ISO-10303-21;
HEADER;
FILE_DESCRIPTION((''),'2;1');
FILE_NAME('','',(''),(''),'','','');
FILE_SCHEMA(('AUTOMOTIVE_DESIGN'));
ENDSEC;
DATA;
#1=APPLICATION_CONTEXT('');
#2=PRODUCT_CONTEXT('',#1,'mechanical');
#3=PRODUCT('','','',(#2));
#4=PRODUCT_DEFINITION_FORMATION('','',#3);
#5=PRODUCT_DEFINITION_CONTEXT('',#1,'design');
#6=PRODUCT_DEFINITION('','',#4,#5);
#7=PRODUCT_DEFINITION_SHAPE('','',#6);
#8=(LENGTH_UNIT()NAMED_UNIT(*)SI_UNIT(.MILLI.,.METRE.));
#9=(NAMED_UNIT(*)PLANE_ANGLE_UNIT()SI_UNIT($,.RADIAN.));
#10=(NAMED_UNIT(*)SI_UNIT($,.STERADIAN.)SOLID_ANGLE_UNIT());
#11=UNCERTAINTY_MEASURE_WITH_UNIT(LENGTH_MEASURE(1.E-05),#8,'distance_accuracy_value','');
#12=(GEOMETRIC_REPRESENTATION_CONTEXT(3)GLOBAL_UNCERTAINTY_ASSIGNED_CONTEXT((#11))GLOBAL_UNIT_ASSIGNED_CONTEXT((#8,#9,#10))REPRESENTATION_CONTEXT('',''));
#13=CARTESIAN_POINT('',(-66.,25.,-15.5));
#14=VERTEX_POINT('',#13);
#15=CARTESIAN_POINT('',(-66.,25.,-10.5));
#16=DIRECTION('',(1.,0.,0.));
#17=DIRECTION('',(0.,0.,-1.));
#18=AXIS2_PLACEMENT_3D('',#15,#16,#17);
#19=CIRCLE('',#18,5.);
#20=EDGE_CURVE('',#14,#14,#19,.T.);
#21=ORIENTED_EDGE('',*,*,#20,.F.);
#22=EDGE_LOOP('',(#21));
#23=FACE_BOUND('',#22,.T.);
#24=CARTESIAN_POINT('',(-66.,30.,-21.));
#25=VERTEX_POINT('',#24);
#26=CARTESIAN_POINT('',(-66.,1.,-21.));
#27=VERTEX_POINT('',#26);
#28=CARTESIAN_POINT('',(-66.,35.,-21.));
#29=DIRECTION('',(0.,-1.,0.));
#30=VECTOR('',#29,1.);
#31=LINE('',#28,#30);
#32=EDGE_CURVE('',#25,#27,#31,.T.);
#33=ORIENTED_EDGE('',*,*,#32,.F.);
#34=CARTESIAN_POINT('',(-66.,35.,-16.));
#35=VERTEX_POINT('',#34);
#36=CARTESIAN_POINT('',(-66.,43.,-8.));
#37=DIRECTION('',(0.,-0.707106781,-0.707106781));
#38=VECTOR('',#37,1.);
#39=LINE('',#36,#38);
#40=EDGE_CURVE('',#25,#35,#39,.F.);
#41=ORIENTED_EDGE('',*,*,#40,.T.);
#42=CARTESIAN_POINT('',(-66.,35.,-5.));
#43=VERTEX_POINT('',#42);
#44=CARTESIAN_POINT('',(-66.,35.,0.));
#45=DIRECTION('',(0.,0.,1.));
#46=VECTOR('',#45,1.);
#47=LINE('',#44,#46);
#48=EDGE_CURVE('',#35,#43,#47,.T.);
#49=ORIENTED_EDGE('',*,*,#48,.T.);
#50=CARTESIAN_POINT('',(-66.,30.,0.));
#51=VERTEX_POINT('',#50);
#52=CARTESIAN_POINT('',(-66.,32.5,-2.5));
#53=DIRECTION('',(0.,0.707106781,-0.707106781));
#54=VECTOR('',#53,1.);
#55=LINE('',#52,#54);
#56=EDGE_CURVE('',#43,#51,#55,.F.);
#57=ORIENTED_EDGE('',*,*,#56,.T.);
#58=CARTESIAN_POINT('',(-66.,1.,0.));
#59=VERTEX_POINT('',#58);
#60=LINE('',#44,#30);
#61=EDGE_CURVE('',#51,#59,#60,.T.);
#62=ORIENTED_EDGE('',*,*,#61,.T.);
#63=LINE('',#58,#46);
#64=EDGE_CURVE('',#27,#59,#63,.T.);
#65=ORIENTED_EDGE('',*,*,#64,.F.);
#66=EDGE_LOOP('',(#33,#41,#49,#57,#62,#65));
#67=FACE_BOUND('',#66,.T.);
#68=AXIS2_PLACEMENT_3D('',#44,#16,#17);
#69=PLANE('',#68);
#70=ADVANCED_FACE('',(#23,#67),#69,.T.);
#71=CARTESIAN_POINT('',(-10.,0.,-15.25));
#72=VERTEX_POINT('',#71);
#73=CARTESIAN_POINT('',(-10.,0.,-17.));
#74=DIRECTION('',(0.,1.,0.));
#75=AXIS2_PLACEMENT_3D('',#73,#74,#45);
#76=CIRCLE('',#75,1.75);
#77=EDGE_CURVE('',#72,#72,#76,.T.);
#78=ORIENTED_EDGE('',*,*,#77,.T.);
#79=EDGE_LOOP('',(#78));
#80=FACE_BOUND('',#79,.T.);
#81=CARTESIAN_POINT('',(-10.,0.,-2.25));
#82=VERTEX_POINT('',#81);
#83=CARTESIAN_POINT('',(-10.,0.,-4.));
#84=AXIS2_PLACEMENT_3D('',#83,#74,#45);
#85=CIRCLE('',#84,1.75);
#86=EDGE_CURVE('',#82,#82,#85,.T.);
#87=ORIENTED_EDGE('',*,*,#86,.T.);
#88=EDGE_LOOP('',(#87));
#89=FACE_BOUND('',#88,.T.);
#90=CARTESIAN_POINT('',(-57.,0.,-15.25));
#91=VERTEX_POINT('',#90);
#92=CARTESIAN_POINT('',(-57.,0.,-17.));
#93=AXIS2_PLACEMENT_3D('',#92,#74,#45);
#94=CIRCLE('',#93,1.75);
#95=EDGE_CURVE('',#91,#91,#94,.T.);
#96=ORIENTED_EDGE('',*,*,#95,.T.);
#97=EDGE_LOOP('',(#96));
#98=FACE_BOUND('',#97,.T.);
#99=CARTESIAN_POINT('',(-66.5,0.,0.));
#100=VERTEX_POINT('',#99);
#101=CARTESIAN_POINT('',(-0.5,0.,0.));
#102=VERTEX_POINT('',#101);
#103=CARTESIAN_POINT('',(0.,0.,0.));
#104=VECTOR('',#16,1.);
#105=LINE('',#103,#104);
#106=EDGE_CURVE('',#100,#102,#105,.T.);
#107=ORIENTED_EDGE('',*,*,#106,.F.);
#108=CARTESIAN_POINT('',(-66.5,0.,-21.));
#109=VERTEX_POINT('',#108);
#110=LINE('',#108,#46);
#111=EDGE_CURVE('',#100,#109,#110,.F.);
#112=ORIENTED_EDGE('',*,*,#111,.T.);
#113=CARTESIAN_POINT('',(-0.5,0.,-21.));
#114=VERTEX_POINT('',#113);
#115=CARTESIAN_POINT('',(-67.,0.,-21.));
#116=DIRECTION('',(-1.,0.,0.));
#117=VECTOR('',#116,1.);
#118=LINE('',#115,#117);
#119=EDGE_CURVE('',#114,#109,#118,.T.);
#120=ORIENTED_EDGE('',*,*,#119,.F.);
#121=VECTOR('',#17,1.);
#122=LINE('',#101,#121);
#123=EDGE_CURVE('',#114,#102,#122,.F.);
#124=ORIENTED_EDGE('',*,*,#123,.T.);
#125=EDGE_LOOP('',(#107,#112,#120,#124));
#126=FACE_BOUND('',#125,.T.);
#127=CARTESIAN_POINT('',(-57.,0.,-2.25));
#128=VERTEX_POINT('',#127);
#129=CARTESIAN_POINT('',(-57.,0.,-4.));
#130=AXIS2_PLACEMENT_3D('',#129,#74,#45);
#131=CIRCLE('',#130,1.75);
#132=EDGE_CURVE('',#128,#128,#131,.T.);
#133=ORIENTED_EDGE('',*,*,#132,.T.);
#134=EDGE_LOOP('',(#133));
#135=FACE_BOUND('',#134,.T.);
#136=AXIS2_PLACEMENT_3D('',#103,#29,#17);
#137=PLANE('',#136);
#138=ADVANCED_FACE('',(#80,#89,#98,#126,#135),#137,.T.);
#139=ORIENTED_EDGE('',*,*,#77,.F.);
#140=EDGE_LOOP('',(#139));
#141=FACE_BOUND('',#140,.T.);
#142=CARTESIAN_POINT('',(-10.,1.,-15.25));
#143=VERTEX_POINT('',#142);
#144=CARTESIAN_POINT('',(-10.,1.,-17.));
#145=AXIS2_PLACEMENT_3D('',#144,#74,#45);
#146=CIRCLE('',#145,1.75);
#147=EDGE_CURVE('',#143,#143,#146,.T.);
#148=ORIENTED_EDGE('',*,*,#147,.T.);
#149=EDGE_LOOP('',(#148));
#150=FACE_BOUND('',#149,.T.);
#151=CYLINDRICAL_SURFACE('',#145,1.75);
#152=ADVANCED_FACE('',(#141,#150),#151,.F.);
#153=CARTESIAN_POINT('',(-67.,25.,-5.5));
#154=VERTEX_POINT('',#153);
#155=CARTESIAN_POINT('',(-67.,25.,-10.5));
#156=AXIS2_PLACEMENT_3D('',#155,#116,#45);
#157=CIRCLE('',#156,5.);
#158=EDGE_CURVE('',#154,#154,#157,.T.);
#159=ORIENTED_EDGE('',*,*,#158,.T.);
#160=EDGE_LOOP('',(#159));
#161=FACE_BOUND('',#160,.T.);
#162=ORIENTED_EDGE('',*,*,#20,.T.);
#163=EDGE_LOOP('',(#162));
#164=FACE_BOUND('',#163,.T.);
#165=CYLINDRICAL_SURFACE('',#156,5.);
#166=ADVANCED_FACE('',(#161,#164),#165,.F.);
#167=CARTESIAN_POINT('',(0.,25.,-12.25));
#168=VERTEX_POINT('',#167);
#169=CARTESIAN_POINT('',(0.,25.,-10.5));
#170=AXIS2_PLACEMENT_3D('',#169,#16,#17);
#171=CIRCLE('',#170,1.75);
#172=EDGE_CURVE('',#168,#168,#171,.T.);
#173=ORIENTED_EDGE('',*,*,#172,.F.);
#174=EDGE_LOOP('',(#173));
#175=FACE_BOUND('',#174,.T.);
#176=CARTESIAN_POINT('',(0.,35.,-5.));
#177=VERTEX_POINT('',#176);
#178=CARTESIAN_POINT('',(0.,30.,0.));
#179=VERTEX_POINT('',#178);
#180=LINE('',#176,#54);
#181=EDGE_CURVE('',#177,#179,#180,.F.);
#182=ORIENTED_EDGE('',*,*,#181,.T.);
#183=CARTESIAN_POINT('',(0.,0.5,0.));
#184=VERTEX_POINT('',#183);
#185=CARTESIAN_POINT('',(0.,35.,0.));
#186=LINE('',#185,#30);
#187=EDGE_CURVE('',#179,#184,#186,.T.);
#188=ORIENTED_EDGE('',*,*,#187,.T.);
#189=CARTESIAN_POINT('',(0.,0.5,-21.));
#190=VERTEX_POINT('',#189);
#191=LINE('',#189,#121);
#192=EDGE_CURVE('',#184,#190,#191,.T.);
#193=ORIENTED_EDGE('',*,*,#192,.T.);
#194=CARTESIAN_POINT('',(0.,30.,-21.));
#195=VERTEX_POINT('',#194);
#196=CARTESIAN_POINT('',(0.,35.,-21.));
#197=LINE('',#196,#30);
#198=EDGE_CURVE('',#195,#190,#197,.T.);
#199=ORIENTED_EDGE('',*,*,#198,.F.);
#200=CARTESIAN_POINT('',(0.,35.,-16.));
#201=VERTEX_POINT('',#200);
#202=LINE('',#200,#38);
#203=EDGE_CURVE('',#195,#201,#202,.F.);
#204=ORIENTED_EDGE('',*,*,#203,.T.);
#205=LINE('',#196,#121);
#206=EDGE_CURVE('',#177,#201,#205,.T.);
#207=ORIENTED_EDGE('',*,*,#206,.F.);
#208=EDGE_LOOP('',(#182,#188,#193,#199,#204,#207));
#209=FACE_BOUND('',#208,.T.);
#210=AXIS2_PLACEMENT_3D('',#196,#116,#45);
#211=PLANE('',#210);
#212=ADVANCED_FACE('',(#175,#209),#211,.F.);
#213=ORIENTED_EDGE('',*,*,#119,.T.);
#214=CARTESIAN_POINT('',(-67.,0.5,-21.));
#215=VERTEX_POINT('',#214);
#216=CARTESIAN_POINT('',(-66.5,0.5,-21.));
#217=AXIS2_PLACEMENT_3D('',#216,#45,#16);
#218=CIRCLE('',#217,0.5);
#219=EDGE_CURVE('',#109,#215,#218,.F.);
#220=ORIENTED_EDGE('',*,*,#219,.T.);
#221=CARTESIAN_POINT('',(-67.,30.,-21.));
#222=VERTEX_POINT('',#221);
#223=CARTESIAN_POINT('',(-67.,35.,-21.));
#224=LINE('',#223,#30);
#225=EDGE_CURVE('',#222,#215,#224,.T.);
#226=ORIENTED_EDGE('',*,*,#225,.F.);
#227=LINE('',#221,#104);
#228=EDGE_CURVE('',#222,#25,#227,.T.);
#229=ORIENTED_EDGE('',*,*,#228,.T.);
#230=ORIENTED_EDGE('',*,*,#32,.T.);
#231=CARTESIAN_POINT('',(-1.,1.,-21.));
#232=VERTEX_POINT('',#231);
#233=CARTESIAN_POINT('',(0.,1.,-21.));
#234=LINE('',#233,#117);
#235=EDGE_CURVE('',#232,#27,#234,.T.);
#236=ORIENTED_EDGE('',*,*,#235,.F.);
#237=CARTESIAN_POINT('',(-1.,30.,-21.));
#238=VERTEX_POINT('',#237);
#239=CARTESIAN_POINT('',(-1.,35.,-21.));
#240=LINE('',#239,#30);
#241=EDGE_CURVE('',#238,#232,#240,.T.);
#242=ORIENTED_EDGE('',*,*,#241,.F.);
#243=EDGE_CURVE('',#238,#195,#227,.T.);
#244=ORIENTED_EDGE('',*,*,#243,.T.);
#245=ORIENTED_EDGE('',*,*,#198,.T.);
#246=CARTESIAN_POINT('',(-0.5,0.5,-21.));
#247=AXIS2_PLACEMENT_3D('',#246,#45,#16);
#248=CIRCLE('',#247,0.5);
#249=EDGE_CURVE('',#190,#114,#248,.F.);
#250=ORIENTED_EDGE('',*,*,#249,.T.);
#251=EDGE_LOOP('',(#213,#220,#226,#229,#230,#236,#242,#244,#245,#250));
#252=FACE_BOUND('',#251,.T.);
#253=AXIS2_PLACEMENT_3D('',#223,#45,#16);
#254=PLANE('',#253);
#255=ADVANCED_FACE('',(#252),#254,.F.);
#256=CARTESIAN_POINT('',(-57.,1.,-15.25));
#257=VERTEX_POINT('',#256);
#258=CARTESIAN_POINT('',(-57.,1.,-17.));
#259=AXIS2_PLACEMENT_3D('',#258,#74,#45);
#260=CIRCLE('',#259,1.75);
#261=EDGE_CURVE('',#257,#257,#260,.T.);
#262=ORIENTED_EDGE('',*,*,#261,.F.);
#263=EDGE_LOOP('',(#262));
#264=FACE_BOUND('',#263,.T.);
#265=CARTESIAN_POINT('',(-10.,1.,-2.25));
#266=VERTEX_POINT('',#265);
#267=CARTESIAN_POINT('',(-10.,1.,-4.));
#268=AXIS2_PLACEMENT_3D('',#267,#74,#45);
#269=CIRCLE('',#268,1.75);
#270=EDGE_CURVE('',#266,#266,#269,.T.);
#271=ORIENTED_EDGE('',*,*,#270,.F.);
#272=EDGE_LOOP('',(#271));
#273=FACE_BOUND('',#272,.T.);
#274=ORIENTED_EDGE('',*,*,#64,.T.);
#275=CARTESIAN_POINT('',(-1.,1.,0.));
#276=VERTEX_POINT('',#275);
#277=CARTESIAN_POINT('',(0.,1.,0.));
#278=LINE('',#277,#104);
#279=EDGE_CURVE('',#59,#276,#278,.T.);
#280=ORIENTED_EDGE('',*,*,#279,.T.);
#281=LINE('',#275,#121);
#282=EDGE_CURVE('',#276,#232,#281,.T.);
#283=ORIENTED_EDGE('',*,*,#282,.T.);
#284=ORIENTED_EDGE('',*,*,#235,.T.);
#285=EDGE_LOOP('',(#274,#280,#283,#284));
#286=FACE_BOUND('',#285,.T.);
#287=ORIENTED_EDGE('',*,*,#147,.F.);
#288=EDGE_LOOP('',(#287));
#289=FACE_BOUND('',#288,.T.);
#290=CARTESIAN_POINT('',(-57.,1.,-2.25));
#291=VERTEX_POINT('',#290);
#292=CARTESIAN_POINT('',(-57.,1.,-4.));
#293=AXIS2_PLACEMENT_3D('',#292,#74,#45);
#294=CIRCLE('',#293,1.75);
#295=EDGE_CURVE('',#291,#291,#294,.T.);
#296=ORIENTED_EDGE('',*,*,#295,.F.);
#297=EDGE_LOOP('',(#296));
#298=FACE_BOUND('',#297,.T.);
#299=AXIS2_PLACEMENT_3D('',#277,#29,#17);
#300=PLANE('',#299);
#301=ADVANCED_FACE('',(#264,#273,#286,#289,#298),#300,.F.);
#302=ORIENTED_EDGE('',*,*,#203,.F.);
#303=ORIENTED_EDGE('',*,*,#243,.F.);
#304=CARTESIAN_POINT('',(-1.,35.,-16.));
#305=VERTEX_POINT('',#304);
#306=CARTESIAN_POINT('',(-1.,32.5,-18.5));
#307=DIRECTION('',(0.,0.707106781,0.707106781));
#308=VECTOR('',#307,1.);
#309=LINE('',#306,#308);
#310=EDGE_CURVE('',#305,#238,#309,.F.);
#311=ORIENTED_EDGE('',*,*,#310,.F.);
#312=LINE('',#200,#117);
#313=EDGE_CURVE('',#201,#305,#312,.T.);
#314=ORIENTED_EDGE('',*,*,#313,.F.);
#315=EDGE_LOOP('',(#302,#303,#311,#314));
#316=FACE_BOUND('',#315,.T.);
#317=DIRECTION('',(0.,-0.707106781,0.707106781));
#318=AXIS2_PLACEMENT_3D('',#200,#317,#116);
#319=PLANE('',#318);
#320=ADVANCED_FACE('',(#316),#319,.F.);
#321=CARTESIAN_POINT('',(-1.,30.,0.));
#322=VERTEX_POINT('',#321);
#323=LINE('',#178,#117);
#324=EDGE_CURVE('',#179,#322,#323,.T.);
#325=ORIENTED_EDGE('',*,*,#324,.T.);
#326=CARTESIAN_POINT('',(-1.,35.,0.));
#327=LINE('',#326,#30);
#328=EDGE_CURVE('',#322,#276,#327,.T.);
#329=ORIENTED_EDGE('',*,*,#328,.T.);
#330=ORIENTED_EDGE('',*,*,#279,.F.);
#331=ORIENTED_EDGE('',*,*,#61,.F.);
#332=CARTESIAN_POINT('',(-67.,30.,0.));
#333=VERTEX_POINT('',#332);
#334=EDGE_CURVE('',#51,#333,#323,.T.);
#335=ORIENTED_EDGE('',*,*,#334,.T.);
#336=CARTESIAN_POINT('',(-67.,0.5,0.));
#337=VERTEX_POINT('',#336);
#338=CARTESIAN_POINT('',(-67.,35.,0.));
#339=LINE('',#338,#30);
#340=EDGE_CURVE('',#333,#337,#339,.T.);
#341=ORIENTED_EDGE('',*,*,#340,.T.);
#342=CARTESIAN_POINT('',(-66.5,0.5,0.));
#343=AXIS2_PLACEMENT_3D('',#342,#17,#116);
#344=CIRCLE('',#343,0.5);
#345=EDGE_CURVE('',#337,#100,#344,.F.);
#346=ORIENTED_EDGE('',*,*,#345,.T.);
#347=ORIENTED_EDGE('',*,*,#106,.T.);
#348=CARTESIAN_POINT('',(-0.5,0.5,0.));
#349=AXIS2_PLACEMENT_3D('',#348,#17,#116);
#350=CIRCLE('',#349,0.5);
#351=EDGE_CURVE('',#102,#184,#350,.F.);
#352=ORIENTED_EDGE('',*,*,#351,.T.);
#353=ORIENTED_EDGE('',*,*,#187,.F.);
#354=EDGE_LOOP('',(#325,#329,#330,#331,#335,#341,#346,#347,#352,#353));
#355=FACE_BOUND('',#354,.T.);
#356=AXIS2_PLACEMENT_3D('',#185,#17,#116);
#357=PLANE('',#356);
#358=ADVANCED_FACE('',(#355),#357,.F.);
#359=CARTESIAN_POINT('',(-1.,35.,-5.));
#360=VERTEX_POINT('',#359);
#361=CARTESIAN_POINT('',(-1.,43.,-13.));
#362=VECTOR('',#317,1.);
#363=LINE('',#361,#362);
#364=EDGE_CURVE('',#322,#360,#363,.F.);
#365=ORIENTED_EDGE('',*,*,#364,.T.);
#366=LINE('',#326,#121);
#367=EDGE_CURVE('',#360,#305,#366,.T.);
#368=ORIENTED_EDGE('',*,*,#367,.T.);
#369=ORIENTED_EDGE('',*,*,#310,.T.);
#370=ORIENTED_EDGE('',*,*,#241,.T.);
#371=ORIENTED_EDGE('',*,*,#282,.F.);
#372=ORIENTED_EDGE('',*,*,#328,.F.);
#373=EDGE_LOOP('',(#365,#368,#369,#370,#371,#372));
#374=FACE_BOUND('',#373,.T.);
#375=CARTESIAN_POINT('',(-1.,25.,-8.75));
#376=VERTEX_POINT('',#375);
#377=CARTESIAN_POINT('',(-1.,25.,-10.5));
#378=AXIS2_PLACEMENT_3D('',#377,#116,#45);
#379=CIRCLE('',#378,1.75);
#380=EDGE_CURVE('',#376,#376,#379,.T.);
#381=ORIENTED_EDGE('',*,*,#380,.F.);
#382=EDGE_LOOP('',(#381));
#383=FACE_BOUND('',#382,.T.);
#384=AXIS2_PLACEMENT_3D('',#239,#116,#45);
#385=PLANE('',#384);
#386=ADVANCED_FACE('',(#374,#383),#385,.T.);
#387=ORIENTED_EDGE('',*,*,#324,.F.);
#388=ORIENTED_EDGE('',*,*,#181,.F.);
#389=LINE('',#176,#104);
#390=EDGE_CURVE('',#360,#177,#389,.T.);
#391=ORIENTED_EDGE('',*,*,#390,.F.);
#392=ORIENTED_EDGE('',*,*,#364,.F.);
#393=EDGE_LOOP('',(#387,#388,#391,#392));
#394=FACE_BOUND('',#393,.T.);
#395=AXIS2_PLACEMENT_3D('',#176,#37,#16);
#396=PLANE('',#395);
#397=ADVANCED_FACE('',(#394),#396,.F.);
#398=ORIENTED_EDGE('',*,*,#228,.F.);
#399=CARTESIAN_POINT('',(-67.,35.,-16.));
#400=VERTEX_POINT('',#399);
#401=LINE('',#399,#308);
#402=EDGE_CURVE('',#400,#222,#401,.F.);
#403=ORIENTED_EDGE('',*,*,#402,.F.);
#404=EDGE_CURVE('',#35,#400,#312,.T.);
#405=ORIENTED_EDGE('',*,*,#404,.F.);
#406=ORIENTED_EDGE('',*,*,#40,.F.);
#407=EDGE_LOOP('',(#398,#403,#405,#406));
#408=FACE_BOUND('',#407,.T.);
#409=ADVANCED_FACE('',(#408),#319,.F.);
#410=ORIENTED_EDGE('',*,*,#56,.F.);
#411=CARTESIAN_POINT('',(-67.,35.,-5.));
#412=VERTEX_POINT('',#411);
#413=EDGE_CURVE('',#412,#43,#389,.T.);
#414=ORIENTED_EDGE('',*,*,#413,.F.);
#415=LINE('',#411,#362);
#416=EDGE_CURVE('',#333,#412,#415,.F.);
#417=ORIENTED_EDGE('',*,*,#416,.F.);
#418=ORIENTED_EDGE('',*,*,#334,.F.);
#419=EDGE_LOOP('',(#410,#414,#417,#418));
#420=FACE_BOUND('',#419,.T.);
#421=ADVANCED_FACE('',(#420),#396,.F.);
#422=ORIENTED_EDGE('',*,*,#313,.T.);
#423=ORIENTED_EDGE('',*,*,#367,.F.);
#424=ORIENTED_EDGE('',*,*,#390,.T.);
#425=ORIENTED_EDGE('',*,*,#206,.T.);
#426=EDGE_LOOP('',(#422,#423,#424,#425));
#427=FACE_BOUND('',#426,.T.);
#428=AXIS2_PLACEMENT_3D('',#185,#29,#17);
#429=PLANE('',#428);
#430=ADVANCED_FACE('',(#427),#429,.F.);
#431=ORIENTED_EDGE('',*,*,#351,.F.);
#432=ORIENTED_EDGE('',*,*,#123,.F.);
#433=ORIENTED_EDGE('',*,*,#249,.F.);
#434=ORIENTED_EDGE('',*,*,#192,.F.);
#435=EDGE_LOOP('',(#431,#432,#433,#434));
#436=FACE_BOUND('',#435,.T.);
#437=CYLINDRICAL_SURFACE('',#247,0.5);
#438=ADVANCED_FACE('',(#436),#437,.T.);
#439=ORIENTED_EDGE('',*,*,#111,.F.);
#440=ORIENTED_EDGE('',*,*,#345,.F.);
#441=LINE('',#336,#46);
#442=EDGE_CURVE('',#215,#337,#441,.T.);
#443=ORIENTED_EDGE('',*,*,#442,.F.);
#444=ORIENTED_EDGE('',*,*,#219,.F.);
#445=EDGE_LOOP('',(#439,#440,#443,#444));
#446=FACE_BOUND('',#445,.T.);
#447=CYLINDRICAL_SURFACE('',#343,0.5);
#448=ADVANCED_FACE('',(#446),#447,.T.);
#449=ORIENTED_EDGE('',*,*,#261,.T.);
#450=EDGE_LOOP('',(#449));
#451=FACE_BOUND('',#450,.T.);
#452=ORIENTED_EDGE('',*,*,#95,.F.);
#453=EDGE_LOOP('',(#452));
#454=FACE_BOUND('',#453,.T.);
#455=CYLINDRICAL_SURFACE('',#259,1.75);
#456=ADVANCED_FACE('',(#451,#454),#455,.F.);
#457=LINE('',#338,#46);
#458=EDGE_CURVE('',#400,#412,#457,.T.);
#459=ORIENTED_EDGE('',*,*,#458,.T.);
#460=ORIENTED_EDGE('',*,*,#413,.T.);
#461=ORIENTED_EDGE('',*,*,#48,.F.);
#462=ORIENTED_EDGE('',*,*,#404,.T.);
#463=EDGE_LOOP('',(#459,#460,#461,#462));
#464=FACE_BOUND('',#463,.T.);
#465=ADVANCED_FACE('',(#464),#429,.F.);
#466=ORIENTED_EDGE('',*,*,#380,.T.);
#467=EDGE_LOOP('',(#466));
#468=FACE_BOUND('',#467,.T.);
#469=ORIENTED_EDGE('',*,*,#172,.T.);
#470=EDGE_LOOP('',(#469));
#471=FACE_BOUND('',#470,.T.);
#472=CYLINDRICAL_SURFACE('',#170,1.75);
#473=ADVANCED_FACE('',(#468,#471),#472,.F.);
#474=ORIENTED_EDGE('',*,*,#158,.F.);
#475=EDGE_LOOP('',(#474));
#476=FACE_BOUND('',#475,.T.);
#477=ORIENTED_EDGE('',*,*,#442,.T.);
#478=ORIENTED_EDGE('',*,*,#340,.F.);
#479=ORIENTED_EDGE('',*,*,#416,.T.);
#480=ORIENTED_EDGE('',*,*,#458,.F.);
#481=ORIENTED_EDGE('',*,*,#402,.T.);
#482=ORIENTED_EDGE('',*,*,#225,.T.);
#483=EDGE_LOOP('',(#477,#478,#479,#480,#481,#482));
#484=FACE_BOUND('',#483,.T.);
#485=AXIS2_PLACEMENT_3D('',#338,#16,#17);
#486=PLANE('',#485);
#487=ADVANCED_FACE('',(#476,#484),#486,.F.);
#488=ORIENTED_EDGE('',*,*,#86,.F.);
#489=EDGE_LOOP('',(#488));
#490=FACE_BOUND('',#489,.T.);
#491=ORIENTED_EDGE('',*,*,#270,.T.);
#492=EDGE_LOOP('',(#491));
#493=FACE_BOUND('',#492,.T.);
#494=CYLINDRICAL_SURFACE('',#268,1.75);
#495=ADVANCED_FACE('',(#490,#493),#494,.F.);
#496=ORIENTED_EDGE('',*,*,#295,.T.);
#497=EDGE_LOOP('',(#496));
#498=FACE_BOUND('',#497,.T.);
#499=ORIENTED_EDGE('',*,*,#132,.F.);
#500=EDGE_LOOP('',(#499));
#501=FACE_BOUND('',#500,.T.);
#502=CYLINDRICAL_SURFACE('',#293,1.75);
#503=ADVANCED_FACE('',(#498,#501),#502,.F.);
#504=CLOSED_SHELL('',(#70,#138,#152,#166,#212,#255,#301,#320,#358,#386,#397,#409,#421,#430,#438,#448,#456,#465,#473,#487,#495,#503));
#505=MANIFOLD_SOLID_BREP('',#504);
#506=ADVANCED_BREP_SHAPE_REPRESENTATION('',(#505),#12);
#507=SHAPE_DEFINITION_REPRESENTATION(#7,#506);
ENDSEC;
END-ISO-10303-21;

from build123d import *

# Parameters (mm, degrees)
SKETCH_1_W                  = 67
SKETCH_1_H                  = 21
EXTRUDE_1_DEPTH             = 35
SHELL_1_T                   = -1
FILLET_2_R                  = 0.5
CHAMFER_1_SIZE              = 5
HOLE_WIZARD_3_5_3_5_1_D     = 3.5
HOLE_WIZARD_10_0_10_1_D     = 10
HOLE_WIZARD_10_0_10_1_DEPTH = 1
HOLE_WIZARD_3_5_3_5_2_D     = 3.5


with BuildPart() as part:
    # 草图1 → 凸台-拉伸1 (new body)
    with BuildSketch(Plane(origin=(0, 0, 0), x_dir=(1, 0, 0), z_dir=(0, 1, 0))):
        with Locations((-33.5, 10.5)):
            Rectangle(SKETCH_1_W, SKETCH_1_H)
    extrude(amount=EXTRUDE_1_DEPTH)

    # 抽壳1
    shell_1_openings = [part.faces().sort_by_distance(p)[0] for p in [
        (-33.5, 35, -10.5),
        (-33.5, 17.5, 0),
        (-33.5, 17.5, -21),
    ]]
    offset(amount=SHELL_1_T, openings=shell_1_openings, kind=Kind.INTERSECTION)

    # 圆角2
    fillet_2_edges = [part.edges().sort_by_distance(p)[0] for p in [
        (-67, 0, -10.5),
        (0, 0, -10.5),
    ]]
    fillet(fillet_2_edges, radius=FILLET_2_R)

    # 倒角1
    chamfer_1_edges = [part.edges().sort_by_distance(p)[0] for p in [
        (-66.5, 35, 0),
        (-66.5, 35, -21),
        (-0.5, 35, 0),
        (-0.5, 35, -21),
    ]]
    chamfer(chamfer_1_edges, length=CHAMFER_1_SIZE)

    # Ø3.5 (3.5) 直径槽口1 (through all)
    with Locations(Plane(origin=(0, 1, 0), x_dir=(1, 0, 0), z_dir=(0, 1, 0))):
        with Locations((-57, 17), (-10, 17), (-10, 4), (-57, 4)):
            Hole(HOLE_WIZARD_3_5_3_5_1_D / 2)

    # Ø10.0 (10) 直径槽口1
    with Locations(Plane.ZY.offset(67)):
        with Locations((-10.5, 25)):
            Hole(HOLE_WIZARD_10_0_10_1_D / 2, depth=HOLE_WIZARD_10_0_10_1_DEPTH)

    # Ø3.5 (3.5) 直径槽口2 (through all)
    with Locations(Plane(origin=(0, 0, 0), x_dir=(0, 0, -1), z_dir=(1, 0, 0))):
        with Locations((10.5, 25)):
            Hole(HOLE_WIZARD_3_5_3_5_2_D / 2)


solid = part.part
